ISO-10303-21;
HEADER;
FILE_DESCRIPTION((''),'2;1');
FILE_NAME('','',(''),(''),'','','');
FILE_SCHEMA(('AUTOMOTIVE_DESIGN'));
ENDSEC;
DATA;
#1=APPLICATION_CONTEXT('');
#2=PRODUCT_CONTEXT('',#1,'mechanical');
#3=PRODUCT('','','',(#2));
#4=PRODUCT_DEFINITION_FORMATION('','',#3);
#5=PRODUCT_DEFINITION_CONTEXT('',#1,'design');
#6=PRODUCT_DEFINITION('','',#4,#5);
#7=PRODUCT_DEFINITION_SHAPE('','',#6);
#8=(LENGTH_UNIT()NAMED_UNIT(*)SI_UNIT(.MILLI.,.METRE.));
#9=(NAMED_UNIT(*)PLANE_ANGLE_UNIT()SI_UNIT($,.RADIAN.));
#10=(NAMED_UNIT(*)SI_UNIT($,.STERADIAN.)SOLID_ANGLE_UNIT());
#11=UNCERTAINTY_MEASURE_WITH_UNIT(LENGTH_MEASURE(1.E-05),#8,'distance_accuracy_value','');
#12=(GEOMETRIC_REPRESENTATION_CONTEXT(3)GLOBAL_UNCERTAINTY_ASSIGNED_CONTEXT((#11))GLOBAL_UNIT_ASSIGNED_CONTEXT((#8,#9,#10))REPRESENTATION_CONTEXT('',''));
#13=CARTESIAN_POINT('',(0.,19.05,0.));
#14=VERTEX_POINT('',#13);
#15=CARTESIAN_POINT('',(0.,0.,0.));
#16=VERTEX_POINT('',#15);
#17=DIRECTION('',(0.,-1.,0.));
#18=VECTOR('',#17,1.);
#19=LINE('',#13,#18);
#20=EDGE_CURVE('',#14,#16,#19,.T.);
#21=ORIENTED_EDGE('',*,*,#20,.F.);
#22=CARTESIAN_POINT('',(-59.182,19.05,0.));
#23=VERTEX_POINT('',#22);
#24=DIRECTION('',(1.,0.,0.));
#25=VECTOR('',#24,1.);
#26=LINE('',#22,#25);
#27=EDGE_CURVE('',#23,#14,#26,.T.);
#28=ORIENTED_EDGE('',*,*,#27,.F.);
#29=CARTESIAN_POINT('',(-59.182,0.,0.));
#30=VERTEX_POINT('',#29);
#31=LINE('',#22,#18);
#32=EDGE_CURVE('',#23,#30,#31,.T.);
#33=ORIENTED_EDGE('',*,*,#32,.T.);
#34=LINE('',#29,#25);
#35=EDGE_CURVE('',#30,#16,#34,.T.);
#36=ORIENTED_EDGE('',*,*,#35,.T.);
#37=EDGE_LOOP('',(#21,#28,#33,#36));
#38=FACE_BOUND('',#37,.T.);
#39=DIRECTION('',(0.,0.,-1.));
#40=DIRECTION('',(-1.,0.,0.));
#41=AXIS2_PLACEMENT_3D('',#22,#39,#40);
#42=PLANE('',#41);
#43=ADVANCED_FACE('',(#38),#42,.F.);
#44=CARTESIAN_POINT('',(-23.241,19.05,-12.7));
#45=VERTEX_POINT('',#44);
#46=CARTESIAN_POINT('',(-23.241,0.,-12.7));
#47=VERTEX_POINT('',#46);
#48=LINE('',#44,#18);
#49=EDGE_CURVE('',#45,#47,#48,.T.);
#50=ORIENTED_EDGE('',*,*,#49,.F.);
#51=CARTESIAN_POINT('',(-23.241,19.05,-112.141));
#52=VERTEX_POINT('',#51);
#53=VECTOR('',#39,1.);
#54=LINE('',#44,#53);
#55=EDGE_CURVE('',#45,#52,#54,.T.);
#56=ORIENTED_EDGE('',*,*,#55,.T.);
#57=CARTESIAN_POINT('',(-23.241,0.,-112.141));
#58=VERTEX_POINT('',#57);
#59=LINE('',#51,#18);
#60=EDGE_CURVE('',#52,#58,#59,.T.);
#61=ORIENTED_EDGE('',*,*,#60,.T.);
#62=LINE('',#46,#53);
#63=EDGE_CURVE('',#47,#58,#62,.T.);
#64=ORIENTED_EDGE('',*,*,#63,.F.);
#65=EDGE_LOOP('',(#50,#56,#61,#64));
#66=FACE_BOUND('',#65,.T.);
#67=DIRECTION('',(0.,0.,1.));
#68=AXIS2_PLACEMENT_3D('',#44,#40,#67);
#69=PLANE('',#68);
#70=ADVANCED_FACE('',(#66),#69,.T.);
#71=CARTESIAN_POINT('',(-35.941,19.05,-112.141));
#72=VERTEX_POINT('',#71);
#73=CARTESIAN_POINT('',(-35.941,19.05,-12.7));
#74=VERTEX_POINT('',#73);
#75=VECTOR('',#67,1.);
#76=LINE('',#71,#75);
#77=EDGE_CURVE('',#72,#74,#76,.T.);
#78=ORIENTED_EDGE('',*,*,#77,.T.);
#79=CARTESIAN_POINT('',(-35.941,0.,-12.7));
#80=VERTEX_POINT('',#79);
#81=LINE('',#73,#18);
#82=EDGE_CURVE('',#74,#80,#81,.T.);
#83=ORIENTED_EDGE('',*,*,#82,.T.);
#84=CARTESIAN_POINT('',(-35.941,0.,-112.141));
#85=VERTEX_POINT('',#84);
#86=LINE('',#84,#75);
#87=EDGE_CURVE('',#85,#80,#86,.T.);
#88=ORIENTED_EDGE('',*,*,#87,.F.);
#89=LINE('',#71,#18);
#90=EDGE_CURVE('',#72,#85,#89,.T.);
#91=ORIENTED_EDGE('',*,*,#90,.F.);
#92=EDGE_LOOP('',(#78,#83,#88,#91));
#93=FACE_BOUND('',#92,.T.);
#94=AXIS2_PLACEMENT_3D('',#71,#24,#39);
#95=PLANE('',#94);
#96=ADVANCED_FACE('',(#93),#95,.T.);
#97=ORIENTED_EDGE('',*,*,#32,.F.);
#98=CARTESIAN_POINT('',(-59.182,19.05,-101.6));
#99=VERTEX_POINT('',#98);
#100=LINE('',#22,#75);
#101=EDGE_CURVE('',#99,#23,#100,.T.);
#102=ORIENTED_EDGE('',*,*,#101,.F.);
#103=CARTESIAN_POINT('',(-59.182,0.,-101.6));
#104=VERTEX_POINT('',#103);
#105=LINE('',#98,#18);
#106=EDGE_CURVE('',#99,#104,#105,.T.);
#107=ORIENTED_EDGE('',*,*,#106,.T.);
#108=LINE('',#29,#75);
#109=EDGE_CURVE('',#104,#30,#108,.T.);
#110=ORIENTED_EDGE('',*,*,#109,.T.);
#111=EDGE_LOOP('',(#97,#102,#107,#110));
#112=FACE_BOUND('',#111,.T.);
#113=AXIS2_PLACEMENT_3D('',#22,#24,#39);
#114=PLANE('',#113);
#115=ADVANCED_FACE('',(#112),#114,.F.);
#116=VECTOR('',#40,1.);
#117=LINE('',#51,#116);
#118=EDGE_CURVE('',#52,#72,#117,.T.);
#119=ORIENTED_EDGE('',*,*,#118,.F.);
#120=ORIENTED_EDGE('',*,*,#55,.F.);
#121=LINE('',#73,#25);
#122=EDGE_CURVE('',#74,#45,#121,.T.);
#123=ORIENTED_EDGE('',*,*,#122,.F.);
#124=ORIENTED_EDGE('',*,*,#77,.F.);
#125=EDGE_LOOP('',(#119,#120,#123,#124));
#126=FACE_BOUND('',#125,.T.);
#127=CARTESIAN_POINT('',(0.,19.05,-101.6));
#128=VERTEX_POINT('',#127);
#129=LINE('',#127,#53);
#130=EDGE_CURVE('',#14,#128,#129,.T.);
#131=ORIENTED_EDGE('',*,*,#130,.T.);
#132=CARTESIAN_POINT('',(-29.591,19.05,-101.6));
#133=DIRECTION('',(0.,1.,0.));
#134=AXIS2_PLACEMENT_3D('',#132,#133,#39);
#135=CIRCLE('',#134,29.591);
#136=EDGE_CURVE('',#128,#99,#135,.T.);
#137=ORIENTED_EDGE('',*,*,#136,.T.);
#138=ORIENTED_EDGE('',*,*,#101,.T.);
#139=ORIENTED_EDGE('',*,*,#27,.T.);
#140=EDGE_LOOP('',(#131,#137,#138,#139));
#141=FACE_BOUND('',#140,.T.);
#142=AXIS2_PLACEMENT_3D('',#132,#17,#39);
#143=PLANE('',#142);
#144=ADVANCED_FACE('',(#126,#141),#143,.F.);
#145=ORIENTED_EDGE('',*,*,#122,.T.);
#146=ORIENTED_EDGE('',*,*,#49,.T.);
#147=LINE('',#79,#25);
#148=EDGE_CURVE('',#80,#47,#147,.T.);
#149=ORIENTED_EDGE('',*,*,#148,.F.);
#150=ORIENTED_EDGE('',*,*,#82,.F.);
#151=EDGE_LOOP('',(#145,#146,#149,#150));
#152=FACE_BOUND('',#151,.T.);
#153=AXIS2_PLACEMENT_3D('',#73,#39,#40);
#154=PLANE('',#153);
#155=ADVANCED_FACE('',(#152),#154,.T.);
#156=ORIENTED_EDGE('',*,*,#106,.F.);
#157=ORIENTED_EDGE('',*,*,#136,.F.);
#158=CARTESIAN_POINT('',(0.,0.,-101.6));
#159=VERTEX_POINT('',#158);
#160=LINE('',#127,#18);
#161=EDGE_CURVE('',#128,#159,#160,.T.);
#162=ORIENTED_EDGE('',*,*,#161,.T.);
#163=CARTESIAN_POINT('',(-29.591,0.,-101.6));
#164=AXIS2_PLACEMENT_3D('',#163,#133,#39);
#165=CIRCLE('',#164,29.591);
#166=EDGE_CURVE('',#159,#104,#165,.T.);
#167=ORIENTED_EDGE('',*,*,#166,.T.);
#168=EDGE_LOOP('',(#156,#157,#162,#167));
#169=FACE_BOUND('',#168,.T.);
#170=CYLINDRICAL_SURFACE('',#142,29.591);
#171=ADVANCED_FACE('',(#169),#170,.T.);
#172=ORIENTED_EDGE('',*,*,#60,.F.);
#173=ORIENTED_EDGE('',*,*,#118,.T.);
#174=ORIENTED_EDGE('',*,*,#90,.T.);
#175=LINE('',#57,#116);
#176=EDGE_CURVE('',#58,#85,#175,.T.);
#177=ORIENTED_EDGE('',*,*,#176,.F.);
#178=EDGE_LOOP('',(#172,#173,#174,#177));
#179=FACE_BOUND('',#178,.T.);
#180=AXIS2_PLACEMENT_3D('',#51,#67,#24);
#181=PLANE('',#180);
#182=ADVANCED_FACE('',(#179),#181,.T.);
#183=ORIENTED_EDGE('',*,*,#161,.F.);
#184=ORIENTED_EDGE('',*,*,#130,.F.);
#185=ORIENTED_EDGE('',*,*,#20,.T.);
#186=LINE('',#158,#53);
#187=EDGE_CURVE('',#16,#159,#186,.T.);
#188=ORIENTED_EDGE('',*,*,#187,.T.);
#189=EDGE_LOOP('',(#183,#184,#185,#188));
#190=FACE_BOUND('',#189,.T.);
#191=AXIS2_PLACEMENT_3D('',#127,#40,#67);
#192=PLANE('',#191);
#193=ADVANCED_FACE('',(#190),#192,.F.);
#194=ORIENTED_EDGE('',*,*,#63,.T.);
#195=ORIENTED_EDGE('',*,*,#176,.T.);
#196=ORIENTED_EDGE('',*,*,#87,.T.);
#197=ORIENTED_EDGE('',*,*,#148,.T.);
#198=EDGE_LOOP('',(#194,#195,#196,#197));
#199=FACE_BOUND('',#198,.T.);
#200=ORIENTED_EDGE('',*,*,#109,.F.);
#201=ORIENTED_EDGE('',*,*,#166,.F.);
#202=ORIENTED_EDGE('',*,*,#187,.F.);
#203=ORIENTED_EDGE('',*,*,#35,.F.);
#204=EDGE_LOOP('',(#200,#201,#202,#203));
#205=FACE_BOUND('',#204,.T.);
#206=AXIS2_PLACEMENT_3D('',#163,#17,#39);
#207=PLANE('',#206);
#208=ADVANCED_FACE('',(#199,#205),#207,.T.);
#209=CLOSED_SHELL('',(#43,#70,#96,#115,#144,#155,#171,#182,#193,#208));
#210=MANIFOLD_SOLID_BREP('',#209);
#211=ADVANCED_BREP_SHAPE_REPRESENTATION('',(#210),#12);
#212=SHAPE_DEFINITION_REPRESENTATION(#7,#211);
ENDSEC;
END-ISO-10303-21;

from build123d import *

# Parameters (mm, degrees)
SKETCH1_W           = 12.7
SKETCH1_H           = 99.441
BOSS_EXTRUDE1_DEPTH = 19.05


with BuildPart() as part:
    # Sketch1 → Boss-Extrude1 (new body)
    with BuildSketch(Plane(origin=(0, 0, 0), x_dir=(1, 0, 0), z_dir=(0, 1, 0))):
        with BuildLine():
            Line((-59.182, 0), (0, 0))
            Line((0, 0), (0, 101.6))
            ThreePointArc((0, 101.6), (-29.591, 131.191), (-59.182, 101.6))
            Line((-59.182, 101.6), (-59.182, 0))
        make_face()
        with Locations((-29.591, 62.4205)):
            Rectangle(SKETCH1_W, SKETCH1_H, mode=Mode.SUBTRACT)
    extrude(amount=BOSS_EXTRUDE1_DEPTH)


solid = part.part
